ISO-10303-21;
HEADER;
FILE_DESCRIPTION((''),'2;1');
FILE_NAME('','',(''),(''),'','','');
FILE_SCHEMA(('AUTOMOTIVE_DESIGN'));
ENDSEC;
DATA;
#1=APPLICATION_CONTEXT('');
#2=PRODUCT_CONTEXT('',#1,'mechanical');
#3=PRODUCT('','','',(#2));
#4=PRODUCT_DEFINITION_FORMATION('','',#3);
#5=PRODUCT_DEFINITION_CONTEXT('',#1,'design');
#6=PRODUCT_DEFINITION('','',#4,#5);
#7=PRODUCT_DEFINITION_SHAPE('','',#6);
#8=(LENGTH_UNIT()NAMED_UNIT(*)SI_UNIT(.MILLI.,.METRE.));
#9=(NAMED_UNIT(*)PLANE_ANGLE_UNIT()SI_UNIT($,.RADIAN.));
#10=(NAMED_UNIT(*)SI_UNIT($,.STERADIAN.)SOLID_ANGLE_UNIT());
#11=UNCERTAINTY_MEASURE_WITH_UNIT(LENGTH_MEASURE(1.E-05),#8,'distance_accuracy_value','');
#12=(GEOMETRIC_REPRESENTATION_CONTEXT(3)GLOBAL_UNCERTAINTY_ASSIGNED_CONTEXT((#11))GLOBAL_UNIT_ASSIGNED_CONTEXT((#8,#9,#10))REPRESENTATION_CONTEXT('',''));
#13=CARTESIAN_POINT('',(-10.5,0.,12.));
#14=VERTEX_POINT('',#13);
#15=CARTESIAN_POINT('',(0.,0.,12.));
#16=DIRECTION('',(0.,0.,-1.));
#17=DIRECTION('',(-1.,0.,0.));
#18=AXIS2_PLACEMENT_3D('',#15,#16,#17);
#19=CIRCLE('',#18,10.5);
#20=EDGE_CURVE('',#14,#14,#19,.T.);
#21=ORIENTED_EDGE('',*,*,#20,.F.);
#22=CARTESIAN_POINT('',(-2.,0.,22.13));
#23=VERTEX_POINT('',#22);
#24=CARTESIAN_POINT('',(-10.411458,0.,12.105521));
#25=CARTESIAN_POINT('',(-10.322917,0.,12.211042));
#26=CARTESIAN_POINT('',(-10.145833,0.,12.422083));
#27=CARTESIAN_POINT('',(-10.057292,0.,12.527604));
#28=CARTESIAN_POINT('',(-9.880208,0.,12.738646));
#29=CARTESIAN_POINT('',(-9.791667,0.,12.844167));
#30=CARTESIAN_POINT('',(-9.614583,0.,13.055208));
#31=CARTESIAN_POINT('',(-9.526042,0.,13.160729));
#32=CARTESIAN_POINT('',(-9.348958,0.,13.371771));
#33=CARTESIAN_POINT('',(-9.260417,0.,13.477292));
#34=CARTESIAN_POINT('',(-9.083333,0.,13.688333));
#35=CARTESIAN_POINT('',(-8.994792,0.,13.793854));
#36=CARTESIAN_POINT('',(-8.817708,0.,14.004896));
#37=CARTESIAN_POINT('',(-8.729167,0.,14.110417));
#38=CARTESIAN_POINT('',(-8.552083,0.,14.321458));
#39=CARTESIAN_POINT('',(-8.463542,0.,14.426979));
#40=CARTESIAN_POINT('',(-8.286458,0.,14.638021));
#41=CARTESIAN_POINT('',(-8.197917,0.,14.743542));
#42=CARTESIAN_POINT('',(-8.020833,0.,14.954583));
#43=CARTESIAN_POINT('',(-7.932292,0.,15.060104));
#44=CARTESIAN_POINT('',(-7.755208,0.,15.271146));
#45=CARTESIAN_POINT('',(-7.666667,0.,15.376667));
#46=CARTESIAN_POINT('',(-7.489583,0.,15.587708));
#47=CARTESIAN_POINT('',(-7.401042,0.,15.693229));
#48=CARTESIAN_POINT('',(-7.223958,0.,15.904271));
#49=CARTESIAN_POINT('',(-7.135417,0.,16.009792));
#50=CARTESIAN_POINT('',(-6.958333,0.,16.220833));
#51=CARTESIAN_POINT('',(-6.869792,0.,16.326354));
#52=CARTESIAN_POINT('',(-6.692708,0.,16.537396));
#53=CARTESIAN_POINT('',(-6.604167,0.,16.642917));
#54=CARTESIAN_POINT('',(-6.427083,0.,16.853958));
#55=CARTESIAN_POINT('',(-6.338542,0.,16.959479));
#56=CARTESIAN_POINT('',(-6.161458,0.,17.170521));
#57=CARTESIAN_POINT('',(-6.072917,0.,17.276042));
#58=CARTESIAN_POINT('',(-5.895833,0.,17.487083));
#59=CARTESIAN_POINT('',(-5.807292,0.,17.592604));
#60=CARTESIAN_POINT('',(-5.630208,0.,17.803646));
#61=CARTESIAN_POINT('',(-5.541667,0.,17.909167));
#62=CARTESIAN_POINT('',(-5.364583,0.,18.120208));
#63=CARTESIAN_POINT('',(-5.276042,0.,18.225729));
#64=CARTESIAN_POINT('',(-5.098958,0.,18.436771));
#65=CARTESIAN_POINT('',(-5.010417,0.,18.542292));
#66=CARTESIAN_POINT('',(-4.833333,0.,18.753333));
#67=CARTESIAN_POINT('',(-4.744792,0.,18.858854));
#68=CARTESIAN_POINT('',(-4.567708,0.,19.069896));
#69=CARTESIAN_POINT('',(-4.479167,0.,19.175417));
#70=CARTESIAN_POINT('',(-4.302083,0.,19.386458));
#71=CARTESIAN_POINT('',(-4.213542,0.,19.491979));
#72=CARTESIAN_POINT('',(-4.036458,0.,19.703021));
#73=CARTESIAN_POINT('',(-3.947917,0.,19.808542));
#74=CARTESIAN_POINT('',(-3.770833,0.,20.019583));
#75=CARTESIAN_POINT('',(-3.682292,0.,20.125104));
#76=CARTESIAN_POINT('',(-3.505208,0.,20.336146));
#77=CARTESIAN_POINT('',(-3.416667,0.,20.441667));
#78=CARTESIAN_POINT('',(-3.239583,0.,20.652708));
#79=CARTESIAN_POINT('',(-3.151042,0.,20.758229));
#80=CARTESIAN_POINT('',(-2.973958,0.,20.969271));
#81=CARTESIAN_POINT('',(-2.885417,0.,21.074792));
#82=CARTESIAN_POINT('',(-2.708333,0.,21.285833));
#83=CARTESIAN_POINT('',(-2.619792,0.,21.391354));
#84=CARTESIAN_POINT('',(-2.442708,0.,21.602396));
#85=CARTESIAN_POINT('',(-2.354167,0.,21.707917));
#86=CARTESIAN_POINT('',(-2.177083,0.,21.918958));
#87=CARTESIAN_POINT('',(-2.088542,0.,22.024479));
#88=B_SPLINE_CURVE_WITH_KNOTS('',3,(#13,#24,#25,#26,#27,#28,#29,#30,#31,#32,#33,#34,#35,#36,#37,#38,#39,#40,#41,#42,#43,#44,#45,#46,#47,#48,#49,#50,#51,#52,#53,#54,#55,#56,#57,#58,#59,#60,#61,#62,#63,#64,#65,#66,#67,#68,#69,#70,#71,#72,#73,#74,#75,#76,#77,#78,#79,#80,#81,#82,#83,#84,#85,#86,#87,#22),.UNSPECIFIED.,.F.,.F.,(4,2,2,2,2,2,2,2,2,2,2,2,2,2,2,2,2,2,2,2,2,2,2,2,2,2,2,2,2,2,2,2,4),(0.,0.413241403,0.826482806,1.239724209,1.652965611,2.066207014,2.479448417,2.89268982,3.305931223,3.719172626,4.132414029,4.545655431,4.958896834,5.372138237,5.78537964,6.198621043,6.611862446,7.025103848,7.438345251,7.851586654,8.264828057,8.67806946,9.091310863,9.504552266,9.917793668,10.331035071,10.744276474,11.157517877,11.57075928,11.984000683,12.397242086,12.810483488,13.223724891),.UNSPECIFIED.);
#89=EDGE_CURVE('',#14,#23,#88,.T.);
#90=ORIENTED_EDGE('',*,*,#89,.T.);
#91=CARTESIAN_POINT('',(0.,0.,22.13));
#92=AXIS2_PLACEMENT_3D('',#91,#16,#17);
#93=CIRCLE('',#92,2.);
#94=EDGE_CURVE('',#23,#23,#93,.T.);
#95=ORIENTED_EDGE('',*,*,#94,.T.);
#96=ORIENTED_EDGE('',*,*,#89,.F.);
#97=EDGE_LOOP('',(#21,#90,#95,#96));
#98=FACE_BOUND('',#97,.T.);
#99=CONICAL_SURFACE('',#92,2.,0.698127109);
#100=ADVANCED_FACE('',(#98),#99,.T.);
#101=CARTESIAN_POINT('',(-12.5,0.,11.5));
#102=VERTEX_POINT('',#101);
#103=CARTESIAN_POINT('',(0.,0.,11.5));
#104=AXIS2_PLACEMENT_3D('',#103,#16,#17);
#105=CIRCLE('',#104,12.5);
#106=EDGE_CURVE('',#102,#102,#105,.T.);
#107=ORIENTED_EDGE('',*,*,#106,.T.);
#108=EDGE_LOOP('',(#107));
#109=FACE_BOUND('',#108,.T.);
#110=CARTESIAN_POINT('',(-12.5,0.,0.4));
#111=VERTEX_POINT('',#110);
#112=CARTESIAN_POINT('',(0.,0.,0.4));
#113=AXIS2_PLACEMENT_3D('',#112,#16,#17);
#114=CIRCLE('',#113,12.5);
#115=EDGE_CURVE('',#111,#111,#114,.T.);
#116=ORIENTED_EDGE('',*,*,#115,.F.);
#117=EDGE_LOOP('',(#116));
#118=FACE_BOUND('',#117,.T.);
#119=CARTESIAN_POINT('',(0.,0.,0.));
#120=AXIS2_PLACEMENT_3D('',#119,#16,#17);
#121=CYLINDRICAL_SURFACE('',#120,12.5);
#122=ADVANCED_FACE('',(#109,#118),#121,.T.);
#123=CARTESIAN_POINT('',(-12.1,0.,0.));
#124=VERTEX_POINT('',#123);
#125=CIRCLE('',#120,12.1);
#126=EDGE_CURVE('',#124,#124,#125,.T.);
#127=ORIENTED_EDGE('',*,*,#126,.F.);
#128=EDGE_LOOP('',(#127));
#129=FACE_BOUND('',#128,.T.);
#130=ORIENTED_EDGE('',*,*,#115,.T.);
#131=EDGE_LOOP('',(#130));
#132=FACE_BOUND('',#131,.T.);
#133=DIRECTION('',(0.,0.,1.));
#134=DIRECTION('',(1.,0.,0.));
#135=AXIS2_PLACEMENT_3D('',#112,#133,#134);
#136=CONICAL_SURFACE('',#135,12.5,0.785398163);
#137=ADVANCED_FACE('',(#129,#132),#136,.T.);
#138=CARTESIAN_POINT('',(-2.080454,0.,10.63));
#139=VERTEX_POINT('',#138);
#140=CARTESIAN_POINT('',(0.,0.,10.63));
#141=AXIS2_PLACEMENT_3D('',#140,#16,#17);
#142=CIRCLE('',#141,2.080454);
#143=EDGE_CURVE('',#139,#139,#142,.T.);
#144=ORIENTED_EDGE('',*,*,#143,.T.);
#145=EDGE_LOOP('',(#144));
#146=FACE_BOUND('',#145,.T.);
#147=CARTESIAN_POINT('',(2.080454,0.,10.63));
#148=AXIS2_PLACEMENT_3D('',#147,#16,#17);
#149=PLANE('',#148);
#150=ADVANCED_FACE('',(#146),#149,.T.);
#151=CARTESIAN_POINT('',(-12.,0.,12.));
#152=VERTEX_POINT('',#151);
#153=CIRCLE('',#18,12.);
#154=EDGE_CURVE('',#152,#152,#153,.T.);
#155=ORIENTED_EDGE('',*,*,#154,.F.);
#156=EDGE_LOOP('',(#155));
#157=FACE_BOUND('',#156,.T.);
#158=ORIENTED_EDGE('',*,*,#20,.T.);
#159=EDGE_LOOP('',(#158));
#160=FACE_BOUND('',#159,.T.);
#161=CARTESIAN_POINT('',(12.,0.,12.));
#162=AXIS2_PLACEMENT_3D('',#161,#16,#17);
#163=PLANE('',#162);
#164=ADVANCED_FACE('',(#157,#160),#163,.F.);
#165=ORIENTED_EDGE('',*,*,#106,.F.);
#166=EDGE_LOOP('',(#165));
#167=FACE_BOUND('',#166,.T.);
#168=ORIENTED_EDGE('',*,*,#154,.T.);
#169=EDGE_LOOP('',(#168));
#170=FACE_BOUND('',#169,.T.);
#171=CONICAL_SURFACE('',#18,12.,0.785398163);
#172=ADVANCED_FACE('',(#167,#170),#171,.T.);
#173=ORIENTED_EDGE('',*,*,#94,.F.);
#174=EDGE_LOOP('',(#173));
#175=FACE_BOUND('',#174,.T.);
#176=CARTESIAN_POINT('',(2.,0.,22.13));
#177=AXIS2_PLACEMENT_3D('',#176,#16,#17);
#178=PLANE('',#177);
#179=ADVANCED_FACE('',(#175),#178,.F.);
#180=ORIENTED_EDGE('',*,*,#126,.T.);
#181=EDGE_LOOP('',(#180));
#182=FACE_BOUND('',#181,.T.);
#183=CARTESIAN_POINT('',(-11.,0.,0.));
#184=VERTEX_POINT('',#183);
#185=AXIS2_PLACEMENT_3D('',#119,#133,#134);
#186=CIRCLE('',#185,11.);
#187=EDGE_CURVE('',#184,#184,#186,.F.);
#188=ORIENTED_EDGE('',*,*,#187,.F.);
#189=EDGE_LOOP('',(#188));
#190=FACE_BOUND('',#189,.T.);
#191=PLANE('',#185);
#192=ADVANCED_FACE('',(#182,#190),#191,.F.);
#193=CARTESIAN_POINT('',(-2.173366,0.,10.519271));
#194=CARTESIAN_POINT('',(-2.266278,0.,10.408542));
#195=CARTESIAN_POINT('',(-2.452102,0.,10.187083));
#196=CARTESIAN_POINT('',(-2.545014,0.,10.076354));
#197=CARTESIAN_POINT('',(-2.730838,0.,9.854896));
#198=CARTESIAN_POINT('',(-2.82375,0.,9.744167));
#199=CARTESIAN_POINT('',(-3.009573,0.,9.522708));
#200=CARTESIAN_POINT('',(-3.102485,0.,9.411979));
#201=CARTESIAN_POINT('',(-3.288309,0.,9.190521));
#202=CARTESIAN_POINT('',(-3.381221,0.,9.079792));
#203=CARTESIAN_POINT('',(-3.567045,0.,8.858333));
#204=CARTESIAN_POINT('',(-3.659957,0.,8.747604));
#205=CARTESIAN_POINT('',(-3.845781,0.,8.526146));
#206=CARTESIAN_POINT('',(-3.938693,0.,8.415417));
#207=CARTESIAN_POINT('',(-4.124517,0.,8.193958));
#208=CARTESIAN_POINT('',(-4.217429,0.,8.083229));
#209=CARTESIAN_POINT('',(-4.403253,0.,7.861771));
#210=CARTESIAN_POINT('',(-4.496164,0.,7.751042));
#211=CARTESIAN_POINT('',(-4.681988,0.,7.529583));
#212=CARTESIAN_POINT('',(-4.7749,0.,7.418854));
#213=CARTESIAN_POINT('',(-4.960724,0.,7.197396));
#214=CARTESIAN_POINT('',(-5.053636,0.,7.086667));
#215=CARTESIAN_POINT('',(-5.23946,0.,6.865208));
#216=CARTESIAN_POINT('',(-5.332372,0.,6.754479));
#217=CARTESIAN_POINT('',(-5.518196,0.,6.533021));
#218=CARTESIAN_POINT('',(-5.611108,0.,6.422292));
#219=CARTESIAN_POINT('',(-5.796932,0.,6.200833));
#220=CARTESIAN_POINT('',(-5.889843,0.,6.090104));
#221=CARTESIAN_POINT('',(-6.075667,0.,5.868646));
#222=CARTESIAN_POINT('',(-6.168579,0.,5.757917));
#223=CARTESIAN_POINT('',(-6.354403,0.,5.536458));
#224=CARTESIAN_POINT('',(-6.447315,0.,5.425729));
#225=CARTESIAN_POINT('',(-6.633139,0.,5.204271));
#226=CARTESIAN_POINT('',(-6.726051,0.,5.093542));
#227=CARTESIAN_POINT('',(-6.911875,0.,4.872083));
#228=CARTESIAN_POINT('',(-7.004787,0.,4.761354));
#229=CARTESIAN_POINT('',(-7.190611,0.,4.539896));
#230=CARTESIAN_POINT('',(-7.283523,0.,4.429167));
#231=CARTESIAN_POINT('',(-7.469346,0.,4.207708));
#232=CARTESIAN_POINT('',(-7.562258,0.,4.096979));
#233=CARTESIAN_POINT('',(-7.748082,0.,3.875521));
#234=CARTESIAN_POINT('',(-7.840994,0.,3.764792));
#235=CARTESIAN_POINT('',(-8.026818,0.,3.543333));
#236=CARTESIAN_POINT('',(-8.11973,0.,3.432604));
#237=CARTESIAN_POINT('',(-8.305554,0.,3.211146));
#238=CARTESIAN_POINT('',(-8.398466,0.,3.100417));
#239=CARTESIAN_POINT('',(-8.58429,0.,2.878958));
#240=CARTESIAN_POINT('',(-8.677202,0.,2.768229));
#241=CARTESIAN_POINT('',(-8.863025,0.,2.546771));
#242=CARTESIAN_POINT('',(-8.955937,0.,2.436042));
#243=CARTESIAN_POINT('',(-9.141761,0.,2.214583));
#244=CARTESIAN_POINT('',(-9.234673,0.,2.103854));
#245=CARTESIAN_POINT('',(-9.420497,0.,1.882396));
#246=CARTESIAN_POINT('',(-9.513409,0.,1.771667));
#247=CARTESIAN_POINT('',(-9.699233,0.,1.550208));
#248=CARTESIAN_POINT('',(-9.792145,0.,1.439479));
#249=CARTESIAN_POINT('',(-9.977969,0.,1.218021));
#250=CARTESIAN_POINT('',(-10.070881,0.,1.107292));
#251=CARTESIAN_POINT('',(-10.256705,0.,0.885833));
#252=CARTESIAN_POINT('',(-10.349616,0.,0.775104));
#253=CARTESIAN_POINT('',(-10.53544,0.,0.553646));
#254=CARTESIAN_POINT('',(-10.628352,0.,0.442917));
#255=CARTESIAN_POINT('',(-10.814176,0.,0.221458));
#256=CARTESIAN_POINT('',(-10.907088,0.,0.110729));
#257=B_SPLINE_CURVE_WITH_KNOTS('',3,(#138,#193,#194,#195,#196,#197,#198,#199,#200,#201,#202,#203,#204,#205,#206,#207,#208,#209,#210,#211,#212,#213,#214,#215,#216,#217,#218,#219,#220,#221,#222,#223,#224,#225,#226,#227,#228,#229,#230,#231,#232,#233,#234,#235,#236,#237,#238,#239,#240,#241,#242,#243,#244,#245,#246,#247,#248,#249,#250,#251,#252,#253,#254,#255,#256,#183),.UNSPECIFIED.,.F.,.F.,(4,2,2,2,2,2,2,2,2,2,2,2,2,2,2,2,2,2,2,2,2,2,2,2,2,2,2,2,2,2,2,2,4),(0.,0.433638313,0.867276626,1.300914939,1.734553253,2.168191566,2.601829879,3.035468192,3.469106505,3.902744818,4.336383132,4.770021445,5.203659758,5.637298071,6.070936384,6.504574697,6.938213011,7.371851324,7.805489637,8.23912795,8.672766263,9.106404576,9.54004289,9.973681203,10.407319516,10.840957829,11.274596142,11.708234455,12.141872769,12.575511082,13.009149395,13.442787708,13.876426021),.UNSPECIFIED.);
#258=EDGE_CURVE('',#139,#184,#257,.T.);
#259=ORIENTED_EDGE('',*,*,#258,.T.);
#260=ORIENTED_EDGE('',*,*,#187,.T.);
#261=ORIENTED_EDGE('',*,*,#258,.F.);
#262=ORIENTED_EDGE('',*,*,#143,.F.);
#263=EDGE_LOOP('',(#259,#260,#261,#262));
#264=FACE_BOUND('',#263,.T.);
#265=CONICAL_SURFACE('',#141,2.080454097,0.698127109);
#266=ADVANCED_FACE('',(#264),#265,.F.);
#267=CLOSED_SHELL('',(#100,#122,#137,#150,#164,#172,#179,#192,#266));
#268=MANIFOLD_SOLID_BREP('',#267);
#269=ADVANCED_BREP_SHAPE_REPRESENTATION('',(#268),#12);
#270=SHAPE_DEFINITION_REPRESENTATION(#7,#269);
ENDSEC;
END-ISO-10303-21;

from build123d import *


with BuildPart() as part:
    # body_sketch → body (revolve)
    with BuildSketch(Plane(origin=(0, 0, 0), x_dir=(1, 0, 0), z_dir=(0, 1, 0)), mode=Mode.PRIVATE) as body_sk:
        Polygon((0, 0), (12.1, 0), (12.5, -0.4), (12.5, -11.5), (12, -12), (10.5, -12), (2, -22.13), (0, -22.13), align=None)
    revolve(body_sk.sketch.rotate(Axis((0, 0, 0), (0, 0, 1)), 180), axis=Axis((0, 0, 0), (0, 0, 1)))

    # socket_sketch → socket (revolve, cut)
    with BuildSketch(Plane(origin=(0, 0, 0), x_dir=(1, 0, 0), z_dir=(0, 1, 0)), mode=Mode.PRIVATE) as socket_sk:
        Polygon((0, 0.5), (11.419545903, 0.5), (2.080454097, -10.63), (0, -10.63), align=None)
    revolve(socket_sk.sketch.rotate(Axis((0, 0, 0), (0, 0, 1)), 180), axis=Axis((0, 0, 0), (0, 0, 1)), mode=Mode.SUBTRACT)


solid = part.part
